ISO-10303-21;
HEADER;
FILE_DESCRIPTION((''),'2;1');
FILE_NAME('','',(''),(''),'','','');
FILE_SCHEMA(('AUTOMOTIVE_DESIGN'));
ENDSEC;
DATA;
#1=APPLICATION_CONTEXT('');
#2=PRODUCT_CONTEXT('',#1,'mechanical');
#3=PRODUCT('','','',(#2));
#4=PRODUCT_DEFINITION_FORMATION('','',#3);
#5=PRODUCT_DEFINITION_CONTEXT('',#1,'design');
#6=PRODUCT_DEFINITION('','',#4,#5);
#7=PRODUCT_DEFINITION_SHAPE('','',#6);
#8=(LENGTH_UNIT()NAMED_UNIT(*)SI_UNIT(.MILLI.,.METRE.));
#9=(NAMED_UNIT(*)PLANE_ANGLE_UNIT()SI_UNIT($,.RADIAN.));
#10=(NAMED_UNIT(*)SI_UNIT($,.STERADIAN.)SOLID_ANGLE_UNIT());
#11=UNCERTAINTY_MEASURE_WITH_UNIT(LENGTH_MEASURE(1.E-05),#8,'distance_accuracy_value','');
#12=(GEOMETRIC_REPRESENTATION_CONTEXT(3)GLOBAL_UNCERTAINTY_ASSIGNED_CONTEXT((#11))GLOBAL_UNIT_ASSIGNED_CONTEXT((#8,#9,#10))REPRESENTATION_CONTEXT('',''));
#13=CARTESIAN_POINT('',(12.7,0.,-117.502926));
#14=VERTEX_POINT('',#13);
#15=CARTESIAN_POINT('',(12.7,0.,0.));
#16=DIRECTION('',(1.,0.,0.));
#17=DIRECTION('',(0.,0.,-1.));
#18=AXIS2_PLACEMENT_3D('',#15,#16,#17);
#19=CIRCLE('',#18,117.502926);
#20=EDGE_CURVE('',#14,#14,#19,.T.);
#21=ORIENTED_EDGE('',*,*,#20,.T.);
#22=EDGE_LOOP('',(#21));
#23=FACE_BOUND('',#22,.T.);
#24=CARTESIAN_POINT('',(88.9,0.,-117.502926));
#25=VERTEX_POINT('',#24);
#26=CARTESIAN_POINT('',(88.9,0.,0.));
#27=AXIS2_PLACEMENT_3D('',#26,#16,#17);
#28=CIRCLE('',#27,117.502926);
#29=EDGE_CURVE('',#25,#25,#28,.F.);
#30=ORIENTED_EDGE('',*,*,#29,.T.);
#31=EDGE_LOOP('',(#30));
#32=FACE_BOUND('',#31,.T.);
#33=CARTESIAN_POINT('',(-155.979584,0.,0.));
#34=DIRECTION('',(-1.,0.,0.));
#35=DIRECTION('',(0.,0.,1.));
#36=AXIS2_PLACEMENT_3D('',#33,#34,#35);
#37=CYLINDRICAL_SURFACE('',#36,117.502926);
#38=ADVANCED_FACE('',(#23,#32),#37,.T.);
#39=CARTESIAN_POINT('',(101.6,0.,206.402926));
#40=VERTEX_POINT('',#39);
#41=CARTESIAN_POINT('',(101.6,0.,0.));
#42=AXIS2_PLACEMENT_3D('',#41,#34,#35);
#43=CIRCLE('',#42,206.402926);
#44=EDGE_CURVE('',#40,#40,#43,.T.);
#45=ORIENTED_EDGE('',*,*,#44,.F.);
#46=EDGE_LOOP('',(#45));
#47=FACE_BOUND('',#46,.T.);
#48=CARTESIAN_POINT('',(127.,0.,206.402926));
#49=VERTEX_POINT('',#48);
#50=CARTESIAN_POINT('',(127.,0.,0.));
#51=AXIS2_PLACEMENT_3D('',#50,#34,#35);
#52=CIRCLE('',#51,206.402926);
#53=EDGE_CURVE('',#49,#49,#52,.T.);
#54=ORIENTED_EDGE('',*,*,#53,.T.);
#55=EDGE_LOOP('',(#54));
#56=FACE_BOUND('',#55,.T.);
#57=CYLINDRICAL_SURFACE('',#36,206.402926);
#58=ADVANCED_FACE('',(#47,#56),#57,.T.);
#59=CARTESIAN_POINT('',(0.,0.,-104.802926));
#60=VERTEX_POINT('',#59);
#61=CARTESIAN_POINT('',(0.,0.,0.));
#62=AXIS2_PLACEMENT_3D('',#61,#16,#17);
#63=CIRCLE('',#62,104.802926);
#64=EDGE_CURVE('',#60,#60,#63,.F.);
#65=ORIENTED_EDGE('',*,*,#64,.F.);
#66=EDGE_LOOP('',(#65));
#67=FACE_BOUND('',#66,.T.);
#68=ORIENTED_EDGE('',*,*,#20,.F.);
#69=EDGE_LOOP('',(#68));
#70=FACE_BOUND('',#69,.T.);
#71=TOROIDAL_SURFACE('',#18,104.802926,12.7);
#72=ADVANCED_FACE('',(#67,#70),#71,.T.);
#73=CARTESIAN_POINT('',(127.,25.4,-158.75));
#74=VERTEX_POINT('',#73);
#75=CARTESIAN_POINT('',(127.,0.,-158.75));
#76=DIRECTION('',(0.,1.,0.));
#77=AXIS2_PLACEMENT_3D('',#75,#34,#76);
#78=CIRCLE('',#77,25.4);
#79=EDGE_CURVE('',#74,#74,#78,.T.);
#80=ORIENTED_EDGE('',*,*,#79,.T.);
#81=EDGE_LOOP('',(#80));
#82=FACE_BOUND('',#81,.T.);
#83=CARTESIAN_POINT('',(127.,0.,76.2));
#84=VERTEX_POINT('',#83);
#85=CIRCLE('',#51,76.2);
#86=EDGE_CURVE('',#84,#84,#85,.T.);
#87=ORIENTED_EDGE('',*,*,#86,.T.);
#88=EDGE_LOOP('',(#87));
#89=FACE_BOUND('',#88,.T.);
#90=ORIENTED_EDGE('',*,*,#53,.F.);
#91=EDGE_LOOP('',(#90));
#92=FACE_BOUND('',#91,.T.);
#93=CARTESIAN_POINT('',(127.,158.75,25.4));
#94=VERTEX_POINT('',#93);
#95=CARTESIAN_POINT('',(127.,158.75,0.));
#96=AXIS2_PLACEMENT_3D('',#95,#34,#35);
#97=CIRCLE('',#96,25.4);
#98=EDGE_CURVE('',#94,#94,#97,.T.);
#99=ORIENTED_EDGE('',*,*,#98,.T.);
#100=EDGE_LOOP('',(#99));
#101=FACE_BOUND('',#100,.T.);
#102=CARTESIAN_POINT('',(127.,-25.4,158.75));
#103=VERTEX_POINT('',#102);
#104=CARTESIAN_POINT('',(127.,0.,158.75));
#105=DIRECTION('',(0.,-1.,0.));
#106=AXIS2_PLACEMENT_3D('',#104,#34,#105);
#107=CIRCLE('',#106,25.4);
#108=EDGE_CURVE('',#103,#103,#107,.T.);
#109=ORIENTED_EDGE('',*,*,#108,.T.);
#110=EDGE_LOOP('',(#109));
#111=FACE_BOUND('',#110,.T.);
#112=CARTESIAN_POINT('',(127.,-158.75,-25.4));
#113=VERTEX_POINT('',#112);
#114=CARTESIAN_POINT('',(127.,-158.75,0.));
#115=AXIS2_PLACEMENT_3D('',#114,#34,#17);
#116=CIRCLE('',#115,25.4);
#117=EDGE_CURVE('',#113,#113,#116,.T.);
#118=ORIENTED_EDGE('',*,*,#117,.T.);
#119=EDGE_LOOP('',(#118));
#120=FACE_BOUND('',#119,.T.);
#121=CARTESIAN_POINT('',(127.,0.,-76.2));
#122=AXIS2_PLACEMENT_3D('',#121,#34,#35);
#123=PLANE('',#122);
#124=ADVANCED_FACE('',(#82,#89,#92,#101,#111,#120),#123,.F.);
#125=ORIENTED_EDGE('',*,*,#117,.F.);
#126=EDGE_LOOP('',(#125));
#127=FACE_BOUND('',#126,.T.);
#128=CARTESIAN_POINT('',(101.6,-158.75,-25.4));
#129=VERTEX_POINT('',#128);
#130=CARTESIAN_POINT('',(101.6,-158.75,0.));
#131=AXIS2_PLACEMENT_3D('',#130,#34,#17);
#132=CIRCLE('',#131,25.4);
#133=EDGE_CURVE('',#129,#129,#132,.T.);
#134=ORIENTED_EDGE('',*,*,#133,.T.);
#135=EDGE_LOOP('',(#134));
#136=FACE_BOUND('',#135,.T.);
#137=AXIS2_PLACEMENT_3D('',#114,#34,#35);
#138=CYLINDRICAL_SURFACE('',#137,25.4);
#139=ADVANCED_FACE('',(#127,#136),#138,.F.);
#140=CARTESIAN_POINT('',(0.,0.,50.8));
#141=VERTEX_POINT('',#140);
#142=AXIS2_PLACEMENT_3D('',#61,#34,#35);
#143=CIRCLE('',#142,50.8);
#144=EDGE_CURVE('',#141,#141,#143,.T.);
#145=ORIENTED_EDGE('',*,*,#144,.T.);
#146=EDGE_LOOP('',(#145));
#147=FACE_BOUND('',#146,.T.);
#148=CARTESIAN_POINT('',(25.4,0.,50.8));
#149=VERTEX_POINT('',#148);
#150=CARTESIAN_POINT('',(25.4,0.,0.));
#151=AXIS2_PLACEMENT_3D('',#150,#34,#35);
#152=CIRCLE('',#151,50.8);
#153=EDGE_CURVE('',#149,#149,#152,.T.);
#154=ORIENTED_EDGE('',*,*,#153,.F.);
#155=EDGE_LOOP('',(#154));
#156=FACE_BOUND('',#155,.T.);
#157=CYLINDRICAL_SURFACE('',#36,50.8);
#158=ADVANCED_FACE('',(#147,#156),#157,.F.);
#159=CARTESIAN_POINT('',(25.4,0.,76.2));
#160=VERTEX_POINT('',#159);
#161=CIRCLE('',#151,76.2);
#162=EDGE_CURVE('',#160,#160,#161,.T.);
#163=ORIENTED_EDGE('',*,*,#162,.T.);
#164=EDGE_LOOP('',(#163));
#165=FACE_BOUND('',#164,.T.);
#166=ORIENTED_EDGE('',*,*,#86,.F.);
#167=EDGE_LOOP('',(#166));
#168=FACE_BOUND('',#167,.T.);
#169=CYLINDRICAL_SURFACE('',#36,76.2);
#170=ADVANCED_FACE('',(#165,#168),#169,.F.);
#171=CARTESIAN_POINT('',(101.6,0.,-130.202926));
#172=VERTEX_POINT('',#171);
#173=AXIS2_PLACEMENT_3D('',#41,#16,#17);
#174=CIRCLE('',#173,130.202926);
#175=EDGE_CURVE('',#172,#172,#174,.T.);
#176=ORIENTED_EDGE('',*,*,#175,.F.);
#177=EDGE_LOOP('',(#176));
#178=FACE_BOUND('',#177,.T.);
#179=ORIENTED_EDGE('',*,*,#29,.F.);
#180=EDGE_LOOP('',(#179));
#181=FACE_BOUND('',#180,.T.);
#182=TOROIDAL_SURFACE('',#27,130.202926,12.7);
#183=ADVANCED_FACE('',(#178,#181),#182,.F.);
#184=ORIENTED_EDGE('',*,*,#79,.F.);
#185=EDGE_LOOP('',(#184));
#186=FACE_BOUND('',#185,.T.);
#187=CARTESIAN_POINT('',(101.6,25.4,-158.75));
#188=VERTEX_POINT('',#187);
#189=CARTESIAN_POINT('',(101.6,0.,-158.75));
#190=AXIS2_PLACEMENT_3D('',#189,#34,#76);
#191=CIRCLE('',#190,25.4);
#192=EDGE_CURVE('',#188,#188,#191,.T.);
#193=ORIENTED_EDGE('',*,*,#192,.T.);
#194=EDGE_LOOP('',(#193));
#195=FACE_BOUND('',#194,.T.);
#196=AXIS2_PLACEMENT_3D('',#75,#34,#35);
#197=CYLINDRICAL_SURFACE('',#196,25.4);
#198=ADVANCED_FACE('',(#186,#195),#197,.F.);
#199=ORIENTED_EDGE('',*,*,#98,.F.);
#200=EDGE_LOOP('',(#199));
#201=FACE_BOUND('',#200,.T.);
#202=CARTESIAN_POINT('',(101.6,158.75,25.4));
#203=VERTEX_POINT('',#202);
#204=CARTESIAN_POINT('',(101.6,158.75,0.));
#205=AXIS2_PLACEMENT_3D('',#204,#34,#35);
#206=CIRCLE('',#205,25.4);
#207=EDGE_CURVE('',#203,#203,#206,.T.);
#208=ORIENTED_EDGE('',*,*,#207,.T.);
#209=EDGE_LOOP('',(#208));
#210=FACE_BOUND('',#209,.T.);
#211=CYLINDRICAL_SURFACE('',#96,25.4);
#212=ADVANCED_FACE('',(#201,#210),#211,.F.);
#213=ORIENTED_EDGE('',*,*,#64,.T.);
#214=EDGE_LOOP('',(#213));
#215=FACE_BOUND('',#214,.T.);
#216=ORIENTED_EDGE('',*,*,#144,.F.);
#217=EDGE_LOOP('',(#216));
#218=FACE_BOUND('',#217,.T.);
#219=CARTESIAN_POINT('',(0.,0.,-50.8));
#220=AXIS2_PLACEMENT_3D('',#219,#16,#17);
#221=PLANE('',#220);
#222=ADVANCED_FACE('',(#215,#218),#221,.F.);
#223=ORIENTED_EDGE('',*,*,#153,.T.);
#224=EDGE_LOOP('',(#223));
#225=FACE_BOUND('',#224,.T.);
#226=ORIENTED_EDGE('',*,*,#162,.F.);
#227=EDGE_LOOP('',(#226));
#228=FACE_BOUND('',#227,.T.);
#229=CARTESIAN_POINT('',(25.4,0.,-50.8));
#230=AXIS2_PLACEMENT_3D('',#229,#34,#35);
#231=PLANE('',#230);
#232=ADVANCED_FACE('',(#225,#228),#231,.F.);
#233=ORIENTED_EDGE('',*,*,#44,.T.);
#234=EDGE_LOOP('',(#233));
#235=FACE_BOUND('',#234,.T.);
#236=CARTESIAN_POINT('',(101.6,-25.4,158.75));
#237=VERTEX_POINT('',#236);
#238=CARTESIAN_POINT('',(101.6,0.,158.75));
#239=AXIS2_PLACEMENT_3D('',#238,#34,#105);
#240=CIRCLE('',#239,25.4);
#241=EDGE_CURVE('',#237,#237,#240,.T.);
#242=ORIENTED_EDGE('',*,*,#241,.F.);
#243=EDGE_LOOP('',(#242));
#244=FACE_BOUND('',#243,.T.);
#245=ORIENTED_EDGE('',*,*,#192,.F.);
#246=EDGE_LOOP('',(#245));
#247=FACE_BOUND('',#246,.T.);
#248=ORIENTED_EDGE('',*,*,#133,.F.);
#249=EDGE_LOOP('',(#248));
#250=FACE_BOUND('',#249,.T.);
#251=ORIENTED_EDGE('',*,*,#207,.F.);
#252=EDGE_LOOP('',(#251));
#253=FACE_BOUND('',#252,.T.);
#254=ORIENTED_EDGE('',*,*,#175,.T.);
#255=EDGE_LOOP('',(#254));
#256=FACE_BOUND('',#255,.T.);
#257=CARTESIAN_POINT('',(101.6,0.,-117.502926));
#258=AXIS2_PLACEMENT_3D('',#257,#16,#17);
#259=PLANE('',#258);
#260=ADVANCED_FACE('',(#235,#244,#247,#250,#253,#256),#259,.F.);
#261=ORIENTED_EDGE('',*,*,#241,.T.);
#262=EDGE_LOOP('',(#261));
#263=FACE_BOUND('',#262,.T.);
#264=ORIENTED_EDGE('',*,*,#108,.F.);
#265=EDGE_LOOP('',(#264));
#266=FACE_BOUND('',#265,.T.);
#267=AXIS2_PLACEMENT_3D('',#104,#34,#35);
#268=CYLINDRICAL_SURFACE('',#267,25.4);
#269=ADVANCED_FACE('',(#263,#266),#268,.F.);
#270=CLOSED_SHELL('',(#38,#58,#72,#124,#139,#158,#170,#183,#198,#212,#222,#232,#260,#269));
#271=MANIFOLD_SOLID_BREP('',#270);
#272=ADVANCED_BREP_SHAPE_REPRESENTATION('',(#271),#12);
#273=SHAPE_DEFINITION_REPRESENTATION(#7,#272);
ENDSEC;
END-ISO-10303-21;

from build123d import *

# Parameters (mm, degrees)
SKETCH5_R          = 25.4
CUT_EXTRUDE1_DEPTH = 310.07425534
CIRPATTERN1_COUNT  = 4
FILLET1_R          = 12.7


with BuildPart() as part:
    # Sketch1 → Revolve6 (revolve)
    with BuildSketch(Plane(origin=(0, 0, 0), x_dir=(1, 0, 0), z_dir=(0, 1, 0)), mode=Mode.PRIVATE) as revolve6_sk:
        Polygon((0, 50.8), (0, 117.502925505), (101.6, 117.502925505), (101.6, 206.402925505), (127, 206.402925505), (127, 76.2), (25.4, 76.2), (25.4, 50.8), align=None)
    revolve(revolve6_sk.sketch.rotate(Axis((-155.979583507, 0, 0), (1, 0, 0)), 180), axis=Axis((-155.979583507, 0, 0), (1, 0, 0)))

    # Sketch5 → Cut-Extrude1 (cut, through all)
    with BuildSketch(Plane.ZY.offset(-101.6)):
        with Locations((0, 158.75)):
            Circle(SKETCH5_R)
    cut_extrude1 = extrude(amount=-CUT_EXTRUDE1_DEPTH, mode=Mode.SUBTRACT)

    # CirPattern1: Cut-Extrude1 ×4 about axis
    cirpattern1_axis = Axis((0, 0, 0), (1, 0, 0))
    for i in range(1, CIRPATTERN1_COUNT):
        add(cut_extrude1.rotate(cirpattern1_axis, i * 360 / CIRPATTERN1_COUNT), mode=Mode.SUBTRACT)

    # Fillet1
    fillet1_edges = [part.edges().sort_by_distance(p)[0] for p in [
        (0, 0, -117.502925505),
        (101.6, 0, -117.502925505),
    ]]
    fillet(fillet1_edges, radius=FILLET1_R)


solid = part.part
